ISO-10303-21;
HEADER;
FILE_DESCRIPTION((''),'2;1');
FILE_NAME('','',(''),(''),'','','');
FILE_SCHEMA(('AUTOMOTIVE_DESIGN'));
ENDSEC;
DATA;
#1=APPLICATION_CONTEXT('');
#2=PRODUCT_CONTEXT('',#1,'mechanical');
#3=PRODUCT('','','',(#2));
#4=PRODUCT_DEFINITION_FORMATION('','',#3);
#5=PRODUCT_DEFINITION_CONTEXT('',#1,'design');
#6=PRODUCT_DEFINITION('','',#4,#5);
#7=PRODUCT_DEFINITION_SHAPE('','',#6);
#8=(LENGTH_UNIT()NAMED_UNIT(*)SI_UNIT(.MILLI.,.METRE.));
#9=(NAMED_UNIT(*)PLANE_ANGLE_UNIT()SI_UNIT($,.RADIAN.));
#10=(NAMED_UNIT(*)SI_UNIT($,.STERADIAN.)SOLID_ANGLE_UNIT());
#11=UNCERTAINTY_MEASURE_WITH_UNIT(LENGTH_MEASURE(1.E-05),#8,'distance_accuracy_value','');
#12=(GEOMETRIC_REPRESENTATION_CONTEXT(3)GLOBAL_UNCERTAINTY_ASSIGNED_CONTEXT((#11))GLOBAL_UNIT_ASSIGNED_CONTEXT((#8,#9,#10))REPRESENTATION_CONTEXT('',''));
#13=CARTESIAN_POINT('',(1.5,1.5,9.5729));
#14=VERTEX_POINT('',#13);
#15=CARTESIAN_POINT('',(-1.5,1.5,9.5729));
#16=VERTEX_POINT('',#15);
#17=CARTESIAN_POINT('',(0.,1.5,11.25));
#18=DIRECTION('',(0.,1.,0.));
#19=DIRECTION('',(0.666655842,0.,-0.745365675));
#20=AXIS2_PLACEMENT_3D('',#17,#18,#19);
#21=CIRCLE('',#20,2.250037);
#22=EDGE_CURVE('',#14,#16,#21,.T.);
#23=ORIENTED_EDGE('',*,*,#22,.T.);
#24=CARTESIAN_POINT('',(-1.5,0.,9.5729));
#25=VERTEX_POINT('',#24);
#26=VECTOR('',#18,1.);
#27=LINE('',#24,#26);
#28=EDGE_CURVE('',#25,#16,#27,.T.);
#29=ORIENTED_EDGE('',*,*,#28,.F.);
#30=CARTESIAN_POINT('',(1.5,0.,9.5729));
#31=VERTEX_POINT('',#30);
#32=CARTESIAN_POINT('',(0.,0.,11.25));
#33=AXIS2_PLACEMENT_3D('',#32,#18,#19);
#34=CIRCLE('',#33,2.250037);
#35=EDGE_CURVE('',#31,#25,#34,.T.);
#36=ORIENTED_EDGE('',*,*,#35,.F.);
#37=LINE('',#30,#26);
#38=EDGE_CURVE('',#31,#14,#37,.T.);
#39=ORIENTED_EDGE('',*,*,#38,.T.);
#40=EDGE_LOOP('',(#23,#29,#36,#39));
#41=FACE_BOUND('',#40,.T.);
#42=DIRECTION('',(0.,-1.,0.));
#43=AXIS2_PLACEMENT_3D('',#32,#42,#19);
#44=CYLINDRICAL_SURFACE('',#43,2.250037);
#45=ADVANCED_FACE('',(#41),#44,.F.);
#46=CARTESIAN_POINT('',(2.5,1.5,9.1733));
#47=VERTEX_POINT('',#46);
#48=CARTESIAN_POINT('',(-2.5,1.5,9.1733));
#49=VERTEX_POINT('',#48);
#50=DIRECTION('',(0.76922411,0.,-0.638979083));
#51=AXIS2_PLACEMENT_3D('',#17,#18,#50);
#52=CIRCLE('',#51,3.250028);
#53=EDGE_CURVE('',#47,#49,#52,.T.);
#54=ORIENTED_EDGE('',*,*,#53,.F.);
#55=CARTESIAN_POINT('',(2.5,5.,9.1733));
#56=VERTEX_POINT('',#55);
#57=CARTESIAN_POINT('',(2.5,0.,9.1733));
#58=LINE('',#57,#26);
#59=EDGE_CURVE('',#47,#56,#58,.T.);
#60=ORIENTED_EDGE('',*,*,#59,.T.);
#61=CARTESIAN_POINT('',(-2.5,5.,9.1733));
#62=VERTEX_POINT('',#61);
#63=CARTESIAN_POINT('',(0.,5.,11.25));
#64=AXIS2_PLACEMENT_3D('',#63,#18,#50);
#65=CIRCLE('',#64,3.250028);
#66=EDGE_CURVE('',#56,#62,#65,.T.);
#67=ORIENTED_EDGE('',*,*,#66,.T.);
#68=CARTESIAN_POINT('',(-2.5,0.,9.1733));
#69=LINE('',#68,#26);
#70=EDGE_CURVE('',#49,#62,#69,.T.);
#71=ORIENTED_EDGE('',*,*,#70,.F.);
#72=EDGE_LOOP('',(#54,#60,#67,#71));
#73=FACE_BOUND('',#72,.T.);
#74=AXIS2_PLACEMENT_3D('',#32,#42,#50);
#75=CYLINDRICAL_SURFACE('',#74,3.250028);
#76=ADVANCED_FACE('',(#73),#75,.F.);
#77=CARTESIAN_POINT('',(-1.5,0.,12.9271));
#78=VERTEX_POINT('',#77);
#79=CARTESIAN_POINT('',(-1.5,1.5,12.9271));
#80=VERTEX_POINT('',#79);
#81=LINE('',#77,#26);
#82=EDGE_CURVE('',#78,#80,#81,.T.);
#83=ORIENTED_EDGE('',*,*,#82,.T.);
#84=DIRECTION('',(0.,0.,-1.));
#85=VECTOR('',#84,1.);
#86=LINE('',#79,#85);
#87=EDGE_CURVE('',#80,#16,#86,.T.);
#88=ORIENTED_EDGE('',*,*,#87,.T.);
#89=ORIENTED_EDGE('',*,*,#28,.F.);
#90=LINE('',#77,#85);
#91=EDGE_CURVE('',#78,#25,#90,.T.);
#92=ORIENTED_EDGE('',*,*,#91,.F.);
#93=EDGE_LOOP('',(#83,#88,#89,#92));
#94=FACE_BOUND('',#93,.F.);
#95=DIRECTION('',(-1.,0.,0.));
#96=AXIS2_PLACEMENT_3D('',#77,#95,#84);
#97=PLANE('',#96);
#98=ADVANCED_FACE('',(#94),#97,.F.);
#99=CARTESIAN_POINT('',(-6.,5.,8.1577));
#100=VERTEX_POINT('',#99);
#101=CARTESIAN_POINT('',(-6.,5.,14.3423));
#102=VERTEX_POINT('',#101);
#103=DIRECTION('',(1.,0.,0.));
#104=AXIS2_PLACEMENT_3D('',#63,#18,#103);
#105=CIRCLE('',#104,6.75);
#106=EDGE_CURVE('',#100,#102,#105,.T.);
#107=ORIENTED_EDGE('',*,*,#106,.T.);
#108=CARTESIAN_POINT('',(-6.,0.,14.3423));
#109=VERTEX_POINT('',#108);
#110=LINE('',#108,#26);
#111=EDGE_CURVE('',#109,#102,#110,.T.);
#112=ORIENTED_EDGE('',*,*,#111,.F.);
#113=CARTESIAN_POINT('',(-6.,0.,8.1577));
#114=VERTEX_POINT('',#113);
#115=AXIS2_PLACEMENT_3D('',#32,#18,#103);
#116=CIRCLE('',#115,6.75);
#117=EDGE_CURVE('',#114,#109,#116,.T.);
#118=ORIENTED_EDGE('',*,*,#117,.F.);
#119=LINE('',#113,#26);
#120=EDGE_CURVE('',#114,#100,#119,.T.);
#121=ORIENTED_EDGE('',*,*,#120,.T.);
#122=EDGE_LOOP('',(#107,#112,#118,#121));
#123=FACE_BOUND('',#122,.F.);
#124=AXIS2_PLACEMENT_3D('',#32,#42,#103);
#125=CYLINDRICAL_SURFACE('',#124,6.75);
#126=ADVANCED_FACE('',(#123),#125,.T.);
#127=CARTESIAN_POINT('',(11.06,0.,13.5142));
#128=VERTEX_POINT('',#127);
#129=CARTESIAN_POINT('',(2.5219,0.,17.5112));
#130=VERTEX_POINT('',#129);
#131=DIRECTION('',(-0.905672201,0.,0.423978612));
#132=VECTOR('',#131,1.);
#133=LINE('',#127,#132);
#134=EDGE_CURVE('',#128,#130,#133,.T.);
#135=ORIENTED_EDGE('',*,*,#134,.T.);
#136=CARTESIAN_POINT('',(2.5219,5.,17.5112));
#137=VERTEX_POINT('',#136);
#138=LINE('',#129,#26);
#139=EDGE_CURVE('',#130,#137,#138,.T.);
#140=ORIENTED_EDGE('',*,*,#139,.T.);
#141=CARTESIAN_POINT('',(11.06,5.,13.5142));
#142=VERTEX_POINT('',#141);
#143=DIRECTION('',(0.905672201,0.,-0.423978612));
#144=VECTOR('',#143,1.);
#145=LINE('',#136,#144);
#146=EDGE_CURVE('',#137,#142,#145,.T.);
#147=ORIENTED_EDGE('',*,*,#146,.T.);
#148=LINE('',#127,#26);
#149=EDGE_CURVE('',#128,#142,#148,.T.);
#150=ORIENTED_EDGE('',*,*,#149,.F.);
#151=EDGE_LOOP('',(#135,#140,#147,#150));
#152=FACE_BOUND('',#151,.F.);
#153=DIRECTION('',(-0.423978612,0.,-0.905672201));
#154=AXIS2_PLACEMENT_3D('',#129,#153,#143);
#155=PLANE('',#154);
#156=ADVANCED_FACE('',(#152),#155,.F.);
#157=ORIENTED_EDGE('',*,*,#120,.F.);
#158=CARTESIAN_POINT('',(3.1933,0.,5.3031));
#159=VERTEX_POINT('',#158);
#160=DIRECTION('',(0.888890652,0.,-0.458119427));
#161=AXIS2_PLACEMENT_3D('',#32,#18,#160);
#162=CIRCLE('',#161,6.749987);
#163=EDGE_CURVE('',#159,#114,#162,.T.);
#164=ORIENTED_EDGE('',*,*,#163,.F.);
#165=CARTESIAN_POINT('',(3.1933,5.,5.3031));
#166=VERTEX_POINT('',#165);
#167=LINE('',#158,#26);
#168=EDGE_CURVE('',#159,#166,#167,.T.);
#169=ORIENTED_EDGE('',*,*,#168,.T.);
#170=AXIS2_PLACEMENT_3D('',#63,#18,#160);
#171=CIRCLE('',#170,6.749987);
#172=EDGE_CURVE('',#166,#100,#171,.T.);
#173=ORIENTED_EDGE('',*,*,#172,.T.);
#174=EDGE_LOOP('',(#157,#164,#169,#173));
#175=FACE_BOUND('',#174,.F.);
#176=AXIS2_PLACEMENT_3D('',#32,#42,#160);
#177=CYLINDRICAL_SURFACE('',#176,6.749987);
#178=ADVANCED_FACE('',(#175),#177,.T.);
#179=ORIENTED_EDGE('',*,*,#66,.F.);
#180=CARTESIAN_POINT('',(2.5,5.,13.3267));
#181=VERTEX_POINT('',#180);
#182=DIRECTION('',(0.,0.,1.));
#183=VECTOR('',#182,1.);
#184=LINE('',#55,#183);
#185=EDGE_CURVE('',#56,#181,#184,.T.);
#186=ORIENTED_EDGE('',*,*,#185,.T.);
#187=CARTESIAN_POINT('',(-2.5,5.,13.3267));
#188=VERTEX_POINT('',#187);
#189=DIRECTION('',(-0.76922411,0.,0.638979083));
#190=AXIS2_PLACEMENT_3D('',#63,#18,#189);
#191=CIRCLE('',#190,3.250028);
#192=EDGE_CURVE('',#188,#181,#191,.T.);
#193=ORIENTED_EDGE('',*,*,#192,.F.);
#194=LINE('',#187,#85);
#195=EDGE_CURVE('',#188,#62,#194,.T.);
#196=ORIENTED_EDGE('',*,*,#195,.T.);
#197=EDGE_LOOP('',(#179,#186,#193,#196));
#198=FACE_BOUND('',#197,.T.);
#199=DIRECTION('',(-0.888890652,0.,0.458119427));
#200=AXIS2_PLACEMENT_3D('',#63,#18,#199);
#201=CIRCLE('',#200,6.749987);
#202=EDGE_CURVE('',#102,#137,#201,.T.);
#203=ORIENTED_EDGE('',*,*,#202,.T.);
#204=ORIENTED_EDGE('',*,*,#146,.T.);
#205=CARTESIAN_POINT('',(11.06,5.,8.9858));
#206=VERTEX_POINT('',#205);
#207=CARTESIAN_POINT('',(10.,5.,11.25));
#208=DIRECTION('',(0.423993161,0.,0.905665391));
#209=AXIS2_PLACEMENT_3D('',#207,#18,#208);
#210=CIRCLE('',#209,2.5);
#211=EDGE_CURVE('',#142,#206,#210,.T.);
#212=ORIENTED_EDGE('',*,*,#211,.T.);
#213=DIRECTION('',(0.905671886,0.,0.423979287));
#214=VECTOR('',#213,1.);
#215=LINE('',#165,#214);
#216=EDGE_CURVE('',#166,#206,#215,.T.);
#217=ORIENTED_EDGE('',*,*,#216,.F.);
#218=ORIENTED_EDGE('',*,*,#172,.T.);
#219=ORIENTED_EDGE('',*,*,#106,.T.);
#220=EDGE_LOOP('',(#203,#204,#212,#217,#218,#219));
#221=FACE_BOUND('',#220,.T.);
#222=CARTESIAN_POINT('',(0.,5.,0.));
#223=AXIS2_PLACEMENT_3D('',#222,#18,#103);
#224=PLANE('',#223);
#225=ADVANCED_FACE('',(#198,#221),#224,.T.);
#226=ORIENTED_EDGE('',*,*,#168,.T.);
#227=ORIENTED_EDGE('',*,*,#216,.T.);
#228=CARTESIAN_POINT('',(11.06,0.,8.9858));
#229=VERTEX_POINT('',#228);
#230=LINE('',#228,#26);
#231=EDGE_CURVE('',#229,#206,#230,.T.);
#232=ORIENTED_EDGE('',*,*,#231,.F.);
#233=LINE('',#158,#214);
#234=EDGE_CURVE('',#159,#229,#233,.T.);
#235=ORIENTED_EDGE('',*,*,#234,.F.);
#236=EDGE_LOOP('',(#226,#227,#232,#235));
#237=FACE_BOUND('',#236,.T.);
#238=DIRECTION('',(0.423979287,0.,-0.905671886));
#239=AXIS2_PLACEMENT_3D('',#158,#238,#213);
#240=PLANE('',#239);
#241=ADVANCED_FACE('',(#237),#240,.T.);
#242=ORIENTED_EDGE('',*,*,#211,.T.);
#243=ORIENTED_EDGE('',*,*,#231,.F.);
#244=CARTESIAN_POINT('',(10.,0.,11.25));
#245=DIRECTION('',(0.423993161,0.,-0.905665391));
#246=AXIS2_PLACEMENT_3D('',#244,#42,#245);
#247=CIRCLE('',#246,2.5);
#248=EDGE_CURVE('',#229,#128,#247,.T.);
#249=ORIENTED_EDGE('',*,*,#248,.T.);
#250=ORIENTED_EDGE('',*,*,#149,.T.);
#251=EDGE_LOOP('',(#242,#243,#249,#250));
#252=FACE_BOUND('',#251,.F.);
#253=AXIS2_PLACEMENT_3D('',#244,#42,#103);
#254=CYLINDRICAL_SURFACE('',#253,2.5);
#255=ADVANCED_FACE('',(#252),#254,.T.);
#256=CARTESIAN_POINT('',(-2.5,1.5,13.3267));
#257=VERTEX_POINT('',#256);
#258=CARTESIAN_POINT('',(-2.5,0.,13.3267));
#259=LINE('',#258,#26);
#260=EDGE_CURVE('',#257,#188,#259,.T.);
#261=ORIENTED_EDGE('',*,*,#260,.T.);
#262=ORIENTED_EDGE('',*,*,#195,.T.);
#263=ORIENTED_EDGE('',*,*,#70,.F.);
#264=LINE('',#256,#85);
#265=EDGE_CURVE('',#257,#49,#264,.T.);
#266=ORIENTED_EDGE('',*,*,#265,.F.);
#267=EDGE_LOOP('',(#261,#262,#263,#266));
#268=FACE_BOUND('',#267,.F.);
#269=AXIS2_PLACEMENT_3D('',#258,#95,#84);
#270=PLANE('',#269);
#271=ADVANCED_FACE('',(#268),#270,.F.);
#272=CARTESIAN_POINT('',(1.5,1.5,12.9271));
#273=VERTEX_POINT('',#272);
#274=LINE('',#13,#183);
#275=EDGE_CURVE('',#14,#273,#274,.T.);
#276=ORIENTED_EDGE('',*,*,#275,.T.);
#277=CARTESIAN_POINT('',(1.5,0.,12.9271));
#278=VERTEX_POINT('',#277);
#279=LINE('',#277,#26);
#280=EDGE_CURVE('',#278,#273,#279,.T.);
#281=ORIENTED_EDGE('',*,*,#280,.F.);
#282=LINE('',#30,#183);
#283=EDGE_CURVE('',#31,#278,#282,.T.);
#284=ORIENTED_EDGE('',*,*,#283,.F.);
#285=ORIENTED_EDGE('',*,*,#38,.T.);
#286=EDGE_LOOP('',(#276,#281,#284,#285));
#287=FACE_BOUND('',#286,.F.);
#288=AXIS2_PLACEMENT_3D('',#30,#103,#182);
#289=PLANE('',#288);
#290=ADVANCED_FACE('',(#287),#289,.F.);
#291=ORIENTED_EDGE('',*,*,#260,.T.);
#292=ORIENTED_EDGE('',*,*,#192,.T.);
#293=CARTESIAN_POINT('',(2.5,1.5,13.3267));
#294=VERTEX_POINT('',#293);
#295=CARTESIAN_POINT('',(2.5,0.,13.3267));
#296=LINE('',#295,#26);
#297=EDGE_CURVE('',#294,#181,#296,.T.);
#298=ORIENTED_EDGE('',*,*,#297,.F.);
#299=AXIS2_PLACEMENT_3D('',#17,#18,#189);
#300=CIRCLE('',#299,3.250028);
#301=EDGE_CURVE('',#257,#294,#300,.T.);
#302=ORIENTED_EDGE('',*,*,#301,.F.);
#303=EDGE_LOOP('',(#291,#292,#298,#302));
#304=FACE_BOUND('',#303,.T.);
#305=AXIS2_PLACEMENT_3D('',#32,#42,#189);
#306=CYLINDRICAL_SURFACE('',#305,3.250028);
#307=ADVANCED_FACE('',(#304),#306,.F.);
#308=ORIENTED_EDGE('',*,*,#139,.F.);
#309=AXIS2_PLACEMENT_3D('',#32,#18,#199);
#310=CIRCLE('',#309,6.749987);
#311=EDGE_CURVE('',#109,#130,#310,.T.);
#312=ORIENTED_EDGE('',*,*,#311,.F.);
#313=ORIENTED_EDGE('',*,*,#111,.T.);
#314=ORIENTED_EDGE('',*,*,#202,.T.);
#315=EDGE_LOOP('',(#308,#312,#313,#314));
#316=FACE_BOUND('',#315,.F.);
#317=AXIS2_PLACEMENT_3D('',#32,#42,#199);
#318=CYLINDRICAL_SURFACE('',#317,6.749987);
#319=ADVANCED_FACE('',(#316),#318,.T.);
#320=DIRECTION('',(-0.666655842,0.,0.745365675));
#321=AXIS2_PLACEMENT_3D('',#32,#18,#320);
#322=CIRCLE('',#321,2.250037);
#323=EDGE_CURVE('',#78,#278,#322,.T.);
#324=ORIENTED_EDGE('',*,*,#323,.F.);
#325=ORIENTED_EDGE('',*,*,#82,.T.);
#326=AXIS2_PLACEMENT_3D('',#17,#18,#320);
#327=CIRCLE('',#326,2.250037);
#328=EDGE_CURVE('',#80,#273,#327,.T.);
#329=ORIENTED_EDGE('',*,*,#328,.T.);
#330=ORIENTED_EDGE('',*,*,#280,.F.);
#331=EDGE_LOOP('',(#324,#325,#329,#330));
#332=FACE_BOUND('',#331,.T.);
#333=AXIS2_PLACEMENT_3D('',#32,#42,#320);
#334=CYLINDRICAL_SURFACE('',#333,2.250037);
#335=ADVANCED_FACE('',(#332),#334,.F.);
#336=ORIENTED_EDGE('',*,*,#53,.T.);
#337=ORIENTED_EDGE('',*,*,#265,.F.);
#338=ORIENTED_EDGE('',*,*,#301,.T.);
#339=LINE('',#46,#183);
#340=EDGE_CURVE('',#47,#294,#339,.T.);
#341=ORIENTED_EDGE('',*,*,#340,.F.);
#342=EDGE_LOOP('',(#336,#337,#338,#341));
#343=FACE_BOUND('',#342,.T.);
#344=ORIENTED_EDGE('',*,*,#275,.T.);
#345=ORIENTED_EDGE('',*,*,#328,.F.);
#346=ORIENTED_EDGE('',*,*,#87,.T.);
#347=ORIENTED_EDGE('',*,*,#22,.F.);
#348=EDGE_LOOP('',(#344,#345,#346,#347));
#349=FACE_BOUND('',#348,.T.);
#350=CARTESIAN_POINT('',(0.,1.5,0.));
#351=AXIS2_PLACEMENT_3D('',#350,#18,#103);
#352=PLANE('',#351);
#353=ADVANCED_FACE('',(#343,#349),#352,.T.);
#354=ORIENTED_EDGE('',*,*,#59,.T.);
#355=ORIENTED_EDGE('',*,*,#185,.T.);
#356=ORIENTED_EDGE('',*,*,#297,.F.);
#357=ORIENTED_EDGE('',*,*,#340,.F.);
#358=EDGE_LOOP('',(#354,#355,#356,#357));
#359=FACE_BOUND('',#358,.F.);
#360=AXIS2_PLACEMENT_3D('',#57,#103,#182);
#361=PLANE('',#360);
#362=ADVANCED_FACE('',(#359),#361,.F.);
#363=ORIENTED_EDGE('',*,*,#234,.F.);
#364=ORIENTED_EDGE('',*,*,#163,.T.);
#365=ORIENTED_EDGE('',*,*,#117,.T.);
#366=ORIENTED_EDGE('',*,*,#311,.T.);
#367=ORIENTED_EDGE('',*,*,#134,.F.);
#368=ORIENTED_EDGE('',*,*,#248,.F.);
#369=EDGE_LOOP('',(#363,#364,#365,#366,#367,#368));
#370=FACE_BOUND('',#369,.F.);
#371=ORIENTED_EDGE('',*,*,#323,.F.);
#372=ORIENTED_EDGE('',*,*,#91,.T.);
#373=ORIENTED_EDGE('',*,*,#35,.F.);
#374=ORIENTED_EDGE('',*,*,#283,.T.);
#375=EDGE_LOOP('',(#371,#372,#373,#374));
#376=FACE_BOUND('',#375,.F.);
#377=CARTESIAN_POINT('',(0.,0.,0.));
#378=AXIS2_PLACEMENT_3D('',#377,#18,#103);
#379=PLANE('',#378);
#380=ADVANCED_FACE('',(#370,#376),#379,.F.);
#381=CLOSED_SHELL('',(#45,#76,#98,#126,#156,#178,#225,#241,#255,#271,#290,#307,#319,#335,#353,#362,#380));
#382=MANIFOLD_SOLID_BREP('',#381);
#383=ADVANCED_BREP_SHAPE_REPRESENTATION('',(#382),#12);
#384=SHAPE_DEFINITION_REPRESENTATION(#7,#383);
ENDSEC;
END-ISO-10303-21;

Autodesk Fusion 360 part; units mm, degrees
sketch "Sketch1" plane through (0, 0, 0) normal (0, 1, 0) x (1, 0, 0)
  arc A0 (-2, -13.1375) -> (2, -13.1375) centre (0, -11.25) ccw
  line L0 (-2, -13.1375) -> (-2, -9.3625)
  arc A1 (2, -9.3625) -> (-2, -9.3625) centre (0, -11.25) ccw
  line L1 (2, -9.3625) -> (2, -13.1375)
  line L2 (-2.5, -13.3267) -> (-2.5, -9.1733)
  arc A2 (2.5, -9.1733) -> (-2.5, -9.1733) centre (0, -11.25) ccw
  line L3 (2.5, -9.1733) -> (2.5, -13.3267)
  arc A3 (-2.5, -13.3267) -> (2.5, -13.3267) centre (0, -11.25) ccw
  arc A4 (-6, -14.3423) -> (6, -14.3423) centre (0, -11.25) ccw
  line L4 (6, -8.1577) -> (6, -14.3423)
  arc A5 (6, -8.1577) -> (-6, -8.1577) centre (0, -11.25) ccw
  line L5 (-6, -14.3423) -> (-6, -8.1577)
  circle A6 centre (10, -11.25) radius 2.5
  line L6 (2.5219, -17.5112) -> (11.06, -13.5142)
  line L7 (3.1933, -5.3031) -> (11.06, -8.9858)
  line L8 (1.5, -9.5729) -> (1.5, -12.9271)
  arc A7 (-1.5, -12.9271) -> (1.5, -12.9271) centre (0, -11.25) ccw
  line L9 (-1.5, -12.9271) -> (-1.5, -9.5729)
  arc A8 (1.5, -9.5729) -> (-1.5, -9.5729) centre (0, -11.25) ccw
  circle A9 centre (0, -11.25) radius 6.75
  dimension "d1" = 0.5
  dimension "d2" = -4
  dimension "d3" = 5
  dimension "d4" = 10
  dimension "d7" = 0.5
  dimension "d10" = 13.5
extrude "Extrude1" add sketch "Sketch1" along normal blind 5 contours A4 L4 A5 L5 L6 A9 | L5 A9 | A4 A5 A6 L6 L7 A9 | L4 A9 | A6
extrude "Extrude2" add sketch "Sketch1" along normal blind 1.5 contours A0 L0 A1 L1 | L2 A2 L3 A3
